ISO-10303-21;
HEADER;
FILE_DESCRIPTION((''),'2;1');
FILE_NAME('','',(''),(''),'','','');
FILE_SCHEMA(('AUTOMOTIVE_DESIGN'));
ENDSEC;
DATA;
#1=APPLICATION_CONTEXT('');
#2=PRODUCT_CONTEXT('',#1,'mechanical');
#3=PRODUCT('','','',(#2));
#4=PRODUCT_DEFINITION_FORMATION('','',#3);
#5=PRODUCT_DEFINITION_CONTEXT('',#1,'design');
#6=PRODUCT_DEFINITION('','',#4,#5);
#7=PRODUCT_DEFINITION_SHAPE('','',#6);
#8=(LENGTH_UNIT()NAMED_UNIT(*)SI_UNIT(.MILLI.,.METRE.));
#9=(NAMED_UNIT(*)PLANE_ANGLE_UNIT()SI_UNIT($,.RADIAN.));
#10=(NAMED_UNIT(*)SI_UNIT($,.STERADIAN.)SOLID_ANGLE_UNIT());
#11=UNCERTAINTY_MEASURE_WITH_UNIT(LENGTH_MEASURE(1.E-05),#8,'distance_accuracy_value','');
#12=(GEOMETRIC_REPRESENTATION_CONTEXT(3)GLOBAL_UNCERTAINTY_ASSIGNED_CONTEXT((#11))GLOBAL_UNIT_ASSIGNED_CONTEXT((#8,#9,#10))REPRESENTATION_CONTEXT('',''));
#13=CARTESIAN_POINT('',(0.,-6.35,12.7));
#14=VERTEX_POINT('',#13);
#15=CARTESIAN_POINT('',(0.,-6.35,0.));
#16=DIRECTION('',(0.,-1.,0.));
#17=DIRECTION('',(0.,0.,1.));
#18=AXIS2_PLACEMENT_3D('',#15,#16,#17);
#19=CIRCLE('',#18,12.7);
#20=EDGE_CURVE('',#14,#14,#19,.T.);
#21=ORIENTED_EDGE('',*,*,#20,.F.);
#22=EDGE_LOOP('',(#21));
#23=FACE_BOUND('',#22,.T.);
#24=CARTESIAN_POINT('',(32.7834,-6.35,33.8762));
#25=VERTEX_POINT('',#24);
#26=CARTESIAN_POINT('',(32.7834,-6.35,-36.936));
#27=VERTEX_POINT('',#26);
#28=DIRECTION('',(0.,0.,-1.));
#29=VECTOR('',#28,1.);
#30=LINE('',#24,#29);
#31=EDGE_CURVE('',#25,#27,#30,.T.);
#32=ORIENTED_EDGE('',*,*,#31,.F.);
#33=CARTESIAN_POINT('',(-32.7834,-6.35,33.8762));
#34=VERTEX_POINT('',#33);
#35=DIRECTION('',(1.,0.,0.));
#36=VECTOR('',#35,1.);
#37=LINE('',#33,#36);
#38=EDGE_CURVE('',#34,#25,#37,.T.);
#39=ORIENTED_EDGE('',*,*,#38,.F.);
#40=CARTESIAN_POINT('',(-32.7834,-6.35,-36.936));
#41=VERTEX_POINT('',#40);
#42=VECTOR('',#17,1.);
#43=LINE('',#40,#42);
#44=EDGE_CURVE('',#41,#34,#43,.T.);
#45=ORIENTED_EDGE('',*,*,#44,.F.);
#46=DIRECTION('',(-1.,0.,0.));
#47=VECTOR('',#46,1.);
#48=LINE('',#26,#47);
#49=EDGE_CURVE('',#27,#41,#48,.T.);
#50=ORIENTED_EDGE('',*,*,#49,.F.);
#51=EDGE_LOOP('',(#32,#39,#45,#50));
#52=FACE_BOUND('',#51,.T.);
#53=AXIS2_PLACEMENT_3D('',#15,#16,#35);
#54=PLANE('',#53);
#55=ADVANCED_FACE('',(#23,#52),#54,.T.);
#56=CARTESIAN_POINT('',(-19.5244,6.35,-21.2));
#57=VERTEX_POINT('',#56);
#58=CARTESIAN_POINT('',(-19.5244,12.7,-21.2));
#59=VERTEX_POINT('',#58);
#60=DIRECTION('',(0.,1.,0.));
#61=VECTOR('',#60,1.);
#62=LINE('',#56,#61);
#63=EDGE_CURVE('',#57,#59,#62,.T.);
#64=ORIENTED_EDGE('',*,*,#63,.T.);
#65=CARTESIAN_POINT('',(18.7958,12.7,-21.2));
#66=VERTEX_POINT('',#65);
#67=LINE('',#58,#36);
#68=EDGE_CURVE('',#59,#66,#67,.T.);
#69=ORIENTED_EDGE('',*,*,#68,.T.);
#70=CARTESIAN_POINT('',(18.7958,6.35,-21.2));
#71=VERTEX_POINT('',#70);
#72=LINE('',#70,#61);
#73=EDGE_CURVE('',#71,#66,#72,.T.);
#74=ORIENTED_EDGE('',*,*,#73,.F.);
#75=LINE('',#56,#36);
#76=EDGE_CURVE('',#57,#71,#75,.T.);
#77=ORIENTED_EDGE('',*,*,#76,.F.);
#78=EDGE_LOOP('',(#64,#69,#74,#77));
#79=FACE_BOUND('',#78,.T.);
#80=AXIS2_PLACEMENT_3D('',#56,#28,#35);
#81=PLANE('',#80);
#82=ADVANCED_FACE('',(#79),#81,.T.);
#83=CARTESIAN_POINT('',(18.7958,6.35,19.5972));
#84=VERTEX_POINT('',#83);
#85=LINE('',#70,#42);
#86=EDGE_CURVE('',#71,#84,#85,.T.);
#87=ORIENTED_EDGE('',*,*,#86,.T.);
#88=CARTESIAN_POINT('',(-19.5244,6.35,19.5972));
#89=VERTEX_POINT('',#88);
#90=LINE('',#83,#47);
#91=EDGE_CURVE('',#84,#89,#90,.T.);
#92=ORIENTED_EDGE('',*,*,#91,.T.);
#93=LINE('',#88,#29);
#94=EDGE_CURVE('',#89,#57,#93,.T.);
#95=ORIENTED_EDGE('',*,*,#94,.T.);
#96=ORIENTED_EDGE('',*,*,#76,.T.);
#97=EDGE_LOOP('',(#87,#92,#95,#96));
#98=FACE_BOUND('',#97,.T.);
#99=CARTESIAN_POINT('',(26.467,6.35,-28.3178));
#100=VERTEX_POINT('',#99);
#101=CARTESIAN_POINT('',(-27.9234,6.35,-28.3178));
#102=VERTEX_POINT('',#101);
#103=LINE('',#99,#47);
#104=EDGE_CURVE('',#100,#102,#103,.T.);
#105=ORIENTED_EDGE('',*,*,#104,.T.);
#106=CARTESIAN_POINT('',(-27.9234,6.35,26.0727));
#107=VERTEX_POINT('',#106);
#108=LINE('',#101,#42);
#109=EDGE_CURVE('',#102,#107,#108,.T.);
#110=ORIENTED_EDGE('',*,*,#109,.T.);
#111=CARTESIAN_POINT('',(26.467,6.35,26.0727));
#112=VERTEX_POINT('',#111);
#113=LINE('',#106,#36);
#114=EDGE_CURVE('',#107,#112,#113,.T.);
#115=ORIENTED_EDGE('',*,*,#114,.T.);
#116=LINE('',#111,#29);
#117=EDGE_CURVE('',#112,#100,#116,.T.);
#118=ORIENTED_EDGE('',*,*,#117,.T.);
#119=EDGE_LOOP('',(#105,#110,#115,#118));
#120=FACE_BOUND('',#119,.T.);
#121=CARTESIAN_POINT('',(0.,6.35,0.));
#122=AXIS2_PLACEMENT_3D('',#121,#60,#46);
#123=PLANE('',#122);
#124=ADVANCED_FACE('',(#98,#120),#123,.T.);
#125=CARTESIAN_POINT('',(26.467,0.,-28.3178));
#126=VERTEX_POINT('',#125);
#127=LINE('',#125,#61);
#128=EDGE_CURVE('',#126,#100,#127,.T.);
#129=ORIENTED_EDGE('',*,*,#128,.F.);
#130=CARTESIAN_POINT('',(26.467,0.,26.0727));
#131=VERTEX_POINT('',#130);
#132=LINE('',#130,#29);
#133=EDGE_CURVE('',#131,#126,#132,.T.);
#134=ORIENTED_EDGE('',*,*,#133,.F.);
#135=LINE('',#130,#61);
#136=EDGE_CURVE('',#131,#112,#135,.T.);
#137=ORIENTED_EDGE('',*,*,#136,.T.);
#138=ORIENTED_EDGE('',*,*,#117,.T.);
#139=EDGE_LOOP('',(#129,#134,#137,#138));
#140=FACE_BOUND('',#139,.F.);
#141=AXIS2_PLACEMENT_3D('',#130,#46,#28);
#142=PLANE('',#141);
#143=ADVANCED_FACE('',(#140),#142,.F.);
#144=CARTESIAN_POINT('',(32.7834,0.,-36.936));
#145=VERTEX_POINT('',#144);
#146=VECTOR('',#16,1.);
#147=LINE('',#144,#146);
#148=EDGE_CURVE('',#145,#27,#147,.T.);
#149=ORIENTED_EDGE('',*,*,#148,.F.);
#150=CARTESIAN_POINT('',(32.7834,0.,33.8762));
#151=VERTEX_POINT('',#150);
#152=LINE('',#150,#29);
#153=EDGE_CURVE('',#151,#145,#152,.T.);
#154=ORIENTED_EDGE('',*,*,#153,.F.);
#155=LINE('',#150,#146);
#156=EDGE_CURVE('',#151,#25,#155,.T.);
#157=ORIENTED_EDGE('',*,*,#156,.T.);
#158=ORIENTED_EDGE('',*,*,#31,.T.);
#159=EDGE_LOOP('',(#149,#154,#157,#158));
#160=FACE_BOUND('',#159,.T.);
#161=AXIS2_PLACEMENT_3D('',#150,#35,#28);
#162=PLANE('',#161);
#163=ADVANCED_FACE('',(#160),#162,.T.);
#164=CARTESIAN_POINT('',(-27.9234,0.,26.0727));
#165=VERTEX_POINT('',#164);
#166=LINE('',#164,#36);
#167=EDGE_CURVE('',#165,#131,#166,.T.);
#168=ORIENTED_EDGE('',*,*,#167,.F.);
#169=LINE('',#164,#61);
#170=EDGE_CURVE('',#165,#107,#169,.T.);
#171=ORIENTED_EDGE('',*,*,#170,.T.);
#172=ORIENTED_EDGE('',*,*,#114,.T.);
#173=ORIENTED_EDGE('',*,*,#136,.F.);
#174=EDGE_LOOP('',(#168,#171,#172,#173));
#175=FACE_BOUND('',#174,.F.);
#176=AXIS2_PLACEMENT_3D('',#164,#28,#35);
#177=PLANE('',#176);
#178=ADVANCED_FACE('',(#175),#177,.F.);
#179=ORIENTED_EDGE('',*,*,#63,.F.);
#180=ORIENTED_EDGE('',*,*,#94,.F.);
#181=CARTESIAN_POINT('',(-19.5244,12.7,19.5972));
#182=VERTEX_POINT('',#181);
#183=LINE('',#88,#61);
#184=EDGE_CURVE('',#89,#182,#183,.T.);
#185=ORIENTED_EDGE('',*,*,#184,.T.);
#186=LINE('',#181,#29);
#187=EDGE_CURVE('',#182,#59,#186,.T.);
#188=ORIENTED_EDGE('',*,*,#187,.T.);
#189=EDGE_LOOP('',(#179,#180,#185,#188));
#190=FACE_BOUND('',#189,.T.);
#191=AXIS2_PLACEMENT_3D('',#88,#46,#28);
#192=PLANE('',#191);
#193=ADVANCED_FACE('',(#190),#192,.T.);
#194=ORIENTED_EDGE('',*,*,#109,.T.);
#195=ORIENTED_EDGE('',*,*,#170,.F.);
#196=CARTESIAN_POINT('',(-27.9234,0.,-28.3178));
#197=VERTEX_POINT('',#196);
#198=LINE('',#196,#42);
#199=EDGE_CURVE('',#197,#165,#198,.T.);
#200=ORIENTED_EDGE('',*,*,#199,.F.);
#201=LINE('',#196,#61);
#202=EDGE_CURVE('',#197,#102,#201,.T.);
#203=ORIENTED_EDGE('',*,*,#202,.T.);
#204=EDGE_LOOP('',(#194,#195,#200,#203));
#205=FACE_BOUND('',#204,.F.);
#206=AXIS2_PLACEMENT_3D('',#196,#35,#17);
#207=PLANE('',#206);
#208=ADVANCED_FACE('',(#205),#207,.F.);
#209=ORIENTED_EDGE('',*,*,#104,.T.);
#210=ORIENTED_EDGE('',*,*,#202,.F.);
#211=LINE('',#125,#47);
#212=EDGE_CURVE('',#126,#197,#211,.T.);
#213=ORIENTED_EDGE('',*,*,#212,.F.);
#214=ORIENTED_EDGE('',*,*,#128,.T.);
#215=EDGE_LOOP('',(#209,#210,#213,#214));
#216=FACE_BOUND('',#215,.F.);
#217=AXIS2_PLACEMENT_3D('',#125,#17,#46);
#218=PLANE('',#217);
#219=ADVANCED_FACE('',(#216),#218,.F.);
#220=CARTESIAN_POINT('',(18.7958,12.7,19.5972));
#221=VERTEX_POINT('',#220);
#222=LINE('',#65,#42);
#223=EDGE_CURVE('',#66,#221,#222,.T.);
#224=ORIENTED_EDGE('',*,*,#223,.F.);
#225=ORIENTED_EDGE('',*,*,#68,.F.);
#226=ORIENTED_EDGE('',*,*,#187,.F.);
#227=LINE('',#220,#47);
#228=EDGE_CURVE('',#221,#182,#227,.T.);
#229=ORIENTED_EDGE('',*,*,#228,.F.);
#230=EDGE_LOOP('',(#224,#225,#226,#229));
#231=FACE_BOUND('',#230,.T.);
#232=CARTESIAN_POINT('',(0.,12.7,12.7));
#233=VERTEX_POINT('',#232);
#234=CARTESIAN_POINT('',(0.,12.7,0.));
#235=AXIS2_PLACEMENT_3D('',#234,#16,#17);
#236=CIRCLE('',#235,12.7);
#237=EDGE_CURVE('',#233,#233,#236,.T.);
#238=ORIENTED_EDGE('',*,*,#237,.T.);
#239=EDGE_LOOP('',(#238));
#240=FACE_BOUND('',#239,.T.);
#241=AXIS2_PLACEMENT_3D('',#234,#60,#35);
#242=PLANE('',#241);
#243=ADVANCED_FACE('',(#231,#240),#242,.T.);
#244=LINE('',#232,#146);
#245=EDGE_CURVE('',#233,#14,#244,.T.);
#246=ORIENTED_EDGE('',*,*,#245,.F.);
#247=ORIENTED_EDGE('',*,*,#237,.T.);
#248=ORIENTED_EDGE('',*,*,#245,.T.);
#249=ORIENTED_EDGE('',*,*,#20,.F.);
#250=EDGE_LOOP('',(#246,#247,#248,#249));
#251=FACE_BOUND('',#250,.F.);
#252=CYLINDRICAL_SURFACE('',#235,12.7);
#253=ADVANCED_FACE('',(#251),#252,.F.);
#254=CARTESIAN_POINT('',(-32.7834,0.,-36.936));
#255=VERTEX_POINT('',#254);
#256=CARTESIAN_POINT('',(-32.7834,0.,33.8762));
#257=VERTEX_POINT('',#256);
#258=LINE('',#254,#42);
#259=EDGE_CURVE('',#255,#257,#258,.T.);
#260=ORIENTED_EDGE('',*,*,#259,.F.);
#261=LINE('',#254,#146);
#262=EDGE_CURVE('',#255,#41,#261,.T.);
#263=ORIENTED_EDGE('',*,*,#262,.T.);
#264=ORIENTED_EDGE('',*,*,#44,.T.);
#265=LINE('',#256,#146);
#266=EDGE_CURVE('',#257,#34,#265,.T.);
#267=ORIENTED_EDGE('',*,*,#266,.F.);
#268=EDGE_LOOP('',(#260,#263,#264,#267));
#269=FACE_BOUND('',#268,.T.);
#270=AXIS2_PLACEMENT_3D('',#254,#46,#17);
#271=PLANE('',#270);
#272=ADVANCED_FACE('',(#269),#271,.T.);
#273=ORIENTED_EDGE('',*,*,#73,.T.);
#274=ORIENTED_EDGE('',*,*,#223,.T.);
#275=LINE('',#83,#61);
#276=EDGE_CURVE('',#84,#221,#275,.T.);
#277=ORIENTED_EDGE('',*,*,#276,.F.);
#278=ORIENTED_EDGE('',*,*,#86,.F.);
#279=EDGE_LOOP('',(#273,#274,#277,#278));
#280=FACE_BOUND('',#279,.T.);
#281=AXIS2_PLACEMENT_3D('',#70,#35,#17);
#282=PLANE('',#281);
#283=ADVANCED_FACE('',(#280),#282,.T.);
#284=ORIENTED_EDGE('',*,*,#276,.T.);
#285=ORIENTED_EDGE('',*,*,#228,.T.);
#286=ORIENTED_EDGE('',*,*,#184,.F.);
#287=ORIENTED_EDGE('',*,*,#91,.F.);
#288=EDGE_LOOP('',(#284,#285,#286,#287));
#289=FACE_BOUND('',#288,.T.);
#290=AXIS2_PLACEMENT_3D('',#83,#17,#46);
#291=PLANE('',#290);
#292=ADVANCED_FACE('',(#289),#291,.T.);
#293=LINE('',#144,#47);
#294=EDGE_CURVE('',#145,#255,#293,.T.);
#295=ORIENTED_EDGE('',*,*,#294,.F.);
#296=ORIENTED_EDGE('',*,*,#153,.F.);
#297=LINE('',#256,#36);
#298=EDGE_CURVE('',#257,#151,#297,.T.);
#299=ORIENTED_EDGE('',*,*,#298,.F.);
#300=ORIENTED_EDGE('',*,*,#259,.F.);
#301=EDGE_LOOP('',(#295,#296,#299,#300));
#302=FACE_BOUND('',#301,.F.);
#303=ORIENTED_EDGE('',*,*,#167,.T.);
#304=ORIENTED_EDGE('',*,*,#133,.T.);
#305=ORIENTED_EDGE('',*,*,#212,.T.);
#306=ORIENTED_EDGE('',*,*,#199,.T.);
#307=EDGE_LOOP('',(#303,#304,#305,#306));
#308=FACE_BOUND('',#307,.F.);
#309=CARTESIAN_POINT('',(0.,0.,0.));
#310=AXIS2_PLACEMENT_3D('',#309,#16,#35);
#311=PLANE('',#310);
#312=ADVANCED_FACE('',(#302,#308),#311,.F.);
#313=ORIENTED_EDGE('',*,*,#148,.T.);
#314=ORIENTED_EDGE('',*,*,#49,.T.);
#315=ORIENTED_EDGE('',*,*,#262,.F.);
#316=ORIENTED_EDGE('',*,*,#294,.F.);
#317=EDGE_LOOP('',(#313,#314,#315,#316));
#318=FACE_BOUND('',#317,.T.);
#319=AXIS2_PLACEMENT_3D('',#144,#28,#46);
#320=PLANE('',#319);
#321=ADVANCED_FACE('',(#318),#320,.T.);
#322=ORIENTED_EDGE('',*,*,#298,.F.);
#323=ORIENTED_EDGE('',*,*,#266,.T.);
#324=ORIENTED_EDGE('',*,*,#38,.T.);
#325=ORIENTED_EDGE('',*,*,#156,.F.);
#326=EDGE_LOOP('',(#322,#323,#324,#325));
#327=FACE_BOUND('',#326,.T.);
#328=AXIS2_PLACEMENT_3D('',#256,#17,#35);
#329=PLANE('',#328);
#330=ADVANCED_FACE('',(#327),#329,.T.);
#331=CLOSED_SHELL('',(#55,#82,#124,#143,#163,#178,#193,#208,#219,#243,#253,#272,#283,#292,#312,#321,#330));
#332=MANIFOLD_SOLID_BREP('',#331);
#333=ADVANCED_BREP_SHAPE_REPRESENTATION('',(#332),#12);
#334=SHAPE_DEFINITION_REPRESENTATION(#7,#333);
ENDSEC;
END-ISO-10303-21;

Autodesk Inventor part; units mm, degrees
ref_plane "YZ Plane" through (0, 0, 0) normal (1, 0, 0) x (0, 1, 0)
ref_plane "XZ Plane" through (0, 0, 0) normal (0, 1, 0) x (-1, 0, 0)
ref_plane "XY Plane" through (0, 0, 0) normal (0, 0, 1) x (1, 0, 0)
sketch "Sketch5" plane through (0, 0, 0) normal (0, 1, 0) x (-1, 0, 0)
  line L0 (27.9234, 26.0727) -> (-26.467, 26.0727)
  line L1 (-26.467, 26.0727) -> (-26.467, -28.3178)
  line L2 (-26.467, -28.3178) -> (27.9234, -28.3178)
  line L3 (27.9234, -28.3178) -> (27.9234, 26.0727)
  point P0 (0, 0)
extrude "Extrusion3" add sketch "Sketch5" along normal blind 6.35
sketch "Sketch6" plane through (0, 0, 0) normal (0, -1, 0) x (1, 0, 0)
  line L0 (-32.7834, 33.8762) -> (32.7834, 33.8762)
  line L1 (32.7834, 33.8762) -> (32.7834, -36.936)
  line L2 (32.7834, -36.936) -> (-32.7834, -36.936)
  line L3 (-32.7834, -36.936) -> (-32.7834, 33.8762)
  point P0 (0, 0)
extrude "Extrusion4" add sketch "Sketch6" along normal blind 6.35
sketch "Sketch7" plane through (0, 6.35, 0) normal (0, 1, 0) x (1, 0, 0)
  line L0 (-19.5244, 21.2) -> (18.7958, 21.2)
  line L1 (18.7958, 21.2) -> (18.7958, -19.5972)
  line L2 (18.7958, -19.5972) -> (-19.5244, -19.5972)
  line L3 (-19.5244, -19.5972) -> (-19.5244, 21.2)
  point P0 (0, 0)
extrude "Extrusion5" add sketch "Sketch7" along normal blind 6.35
sketch "Sketch8" plane through (0, 12.7, 0) normal (0, 1, 0) x (1, 0, 0)
  circle A0 centre (0, 0) radius 8.1896
hole "Hole1" at (0, 12.7, 0) direction (0, -1, 0) diameter 25.4 end through all
properties part number "1st part ever"
